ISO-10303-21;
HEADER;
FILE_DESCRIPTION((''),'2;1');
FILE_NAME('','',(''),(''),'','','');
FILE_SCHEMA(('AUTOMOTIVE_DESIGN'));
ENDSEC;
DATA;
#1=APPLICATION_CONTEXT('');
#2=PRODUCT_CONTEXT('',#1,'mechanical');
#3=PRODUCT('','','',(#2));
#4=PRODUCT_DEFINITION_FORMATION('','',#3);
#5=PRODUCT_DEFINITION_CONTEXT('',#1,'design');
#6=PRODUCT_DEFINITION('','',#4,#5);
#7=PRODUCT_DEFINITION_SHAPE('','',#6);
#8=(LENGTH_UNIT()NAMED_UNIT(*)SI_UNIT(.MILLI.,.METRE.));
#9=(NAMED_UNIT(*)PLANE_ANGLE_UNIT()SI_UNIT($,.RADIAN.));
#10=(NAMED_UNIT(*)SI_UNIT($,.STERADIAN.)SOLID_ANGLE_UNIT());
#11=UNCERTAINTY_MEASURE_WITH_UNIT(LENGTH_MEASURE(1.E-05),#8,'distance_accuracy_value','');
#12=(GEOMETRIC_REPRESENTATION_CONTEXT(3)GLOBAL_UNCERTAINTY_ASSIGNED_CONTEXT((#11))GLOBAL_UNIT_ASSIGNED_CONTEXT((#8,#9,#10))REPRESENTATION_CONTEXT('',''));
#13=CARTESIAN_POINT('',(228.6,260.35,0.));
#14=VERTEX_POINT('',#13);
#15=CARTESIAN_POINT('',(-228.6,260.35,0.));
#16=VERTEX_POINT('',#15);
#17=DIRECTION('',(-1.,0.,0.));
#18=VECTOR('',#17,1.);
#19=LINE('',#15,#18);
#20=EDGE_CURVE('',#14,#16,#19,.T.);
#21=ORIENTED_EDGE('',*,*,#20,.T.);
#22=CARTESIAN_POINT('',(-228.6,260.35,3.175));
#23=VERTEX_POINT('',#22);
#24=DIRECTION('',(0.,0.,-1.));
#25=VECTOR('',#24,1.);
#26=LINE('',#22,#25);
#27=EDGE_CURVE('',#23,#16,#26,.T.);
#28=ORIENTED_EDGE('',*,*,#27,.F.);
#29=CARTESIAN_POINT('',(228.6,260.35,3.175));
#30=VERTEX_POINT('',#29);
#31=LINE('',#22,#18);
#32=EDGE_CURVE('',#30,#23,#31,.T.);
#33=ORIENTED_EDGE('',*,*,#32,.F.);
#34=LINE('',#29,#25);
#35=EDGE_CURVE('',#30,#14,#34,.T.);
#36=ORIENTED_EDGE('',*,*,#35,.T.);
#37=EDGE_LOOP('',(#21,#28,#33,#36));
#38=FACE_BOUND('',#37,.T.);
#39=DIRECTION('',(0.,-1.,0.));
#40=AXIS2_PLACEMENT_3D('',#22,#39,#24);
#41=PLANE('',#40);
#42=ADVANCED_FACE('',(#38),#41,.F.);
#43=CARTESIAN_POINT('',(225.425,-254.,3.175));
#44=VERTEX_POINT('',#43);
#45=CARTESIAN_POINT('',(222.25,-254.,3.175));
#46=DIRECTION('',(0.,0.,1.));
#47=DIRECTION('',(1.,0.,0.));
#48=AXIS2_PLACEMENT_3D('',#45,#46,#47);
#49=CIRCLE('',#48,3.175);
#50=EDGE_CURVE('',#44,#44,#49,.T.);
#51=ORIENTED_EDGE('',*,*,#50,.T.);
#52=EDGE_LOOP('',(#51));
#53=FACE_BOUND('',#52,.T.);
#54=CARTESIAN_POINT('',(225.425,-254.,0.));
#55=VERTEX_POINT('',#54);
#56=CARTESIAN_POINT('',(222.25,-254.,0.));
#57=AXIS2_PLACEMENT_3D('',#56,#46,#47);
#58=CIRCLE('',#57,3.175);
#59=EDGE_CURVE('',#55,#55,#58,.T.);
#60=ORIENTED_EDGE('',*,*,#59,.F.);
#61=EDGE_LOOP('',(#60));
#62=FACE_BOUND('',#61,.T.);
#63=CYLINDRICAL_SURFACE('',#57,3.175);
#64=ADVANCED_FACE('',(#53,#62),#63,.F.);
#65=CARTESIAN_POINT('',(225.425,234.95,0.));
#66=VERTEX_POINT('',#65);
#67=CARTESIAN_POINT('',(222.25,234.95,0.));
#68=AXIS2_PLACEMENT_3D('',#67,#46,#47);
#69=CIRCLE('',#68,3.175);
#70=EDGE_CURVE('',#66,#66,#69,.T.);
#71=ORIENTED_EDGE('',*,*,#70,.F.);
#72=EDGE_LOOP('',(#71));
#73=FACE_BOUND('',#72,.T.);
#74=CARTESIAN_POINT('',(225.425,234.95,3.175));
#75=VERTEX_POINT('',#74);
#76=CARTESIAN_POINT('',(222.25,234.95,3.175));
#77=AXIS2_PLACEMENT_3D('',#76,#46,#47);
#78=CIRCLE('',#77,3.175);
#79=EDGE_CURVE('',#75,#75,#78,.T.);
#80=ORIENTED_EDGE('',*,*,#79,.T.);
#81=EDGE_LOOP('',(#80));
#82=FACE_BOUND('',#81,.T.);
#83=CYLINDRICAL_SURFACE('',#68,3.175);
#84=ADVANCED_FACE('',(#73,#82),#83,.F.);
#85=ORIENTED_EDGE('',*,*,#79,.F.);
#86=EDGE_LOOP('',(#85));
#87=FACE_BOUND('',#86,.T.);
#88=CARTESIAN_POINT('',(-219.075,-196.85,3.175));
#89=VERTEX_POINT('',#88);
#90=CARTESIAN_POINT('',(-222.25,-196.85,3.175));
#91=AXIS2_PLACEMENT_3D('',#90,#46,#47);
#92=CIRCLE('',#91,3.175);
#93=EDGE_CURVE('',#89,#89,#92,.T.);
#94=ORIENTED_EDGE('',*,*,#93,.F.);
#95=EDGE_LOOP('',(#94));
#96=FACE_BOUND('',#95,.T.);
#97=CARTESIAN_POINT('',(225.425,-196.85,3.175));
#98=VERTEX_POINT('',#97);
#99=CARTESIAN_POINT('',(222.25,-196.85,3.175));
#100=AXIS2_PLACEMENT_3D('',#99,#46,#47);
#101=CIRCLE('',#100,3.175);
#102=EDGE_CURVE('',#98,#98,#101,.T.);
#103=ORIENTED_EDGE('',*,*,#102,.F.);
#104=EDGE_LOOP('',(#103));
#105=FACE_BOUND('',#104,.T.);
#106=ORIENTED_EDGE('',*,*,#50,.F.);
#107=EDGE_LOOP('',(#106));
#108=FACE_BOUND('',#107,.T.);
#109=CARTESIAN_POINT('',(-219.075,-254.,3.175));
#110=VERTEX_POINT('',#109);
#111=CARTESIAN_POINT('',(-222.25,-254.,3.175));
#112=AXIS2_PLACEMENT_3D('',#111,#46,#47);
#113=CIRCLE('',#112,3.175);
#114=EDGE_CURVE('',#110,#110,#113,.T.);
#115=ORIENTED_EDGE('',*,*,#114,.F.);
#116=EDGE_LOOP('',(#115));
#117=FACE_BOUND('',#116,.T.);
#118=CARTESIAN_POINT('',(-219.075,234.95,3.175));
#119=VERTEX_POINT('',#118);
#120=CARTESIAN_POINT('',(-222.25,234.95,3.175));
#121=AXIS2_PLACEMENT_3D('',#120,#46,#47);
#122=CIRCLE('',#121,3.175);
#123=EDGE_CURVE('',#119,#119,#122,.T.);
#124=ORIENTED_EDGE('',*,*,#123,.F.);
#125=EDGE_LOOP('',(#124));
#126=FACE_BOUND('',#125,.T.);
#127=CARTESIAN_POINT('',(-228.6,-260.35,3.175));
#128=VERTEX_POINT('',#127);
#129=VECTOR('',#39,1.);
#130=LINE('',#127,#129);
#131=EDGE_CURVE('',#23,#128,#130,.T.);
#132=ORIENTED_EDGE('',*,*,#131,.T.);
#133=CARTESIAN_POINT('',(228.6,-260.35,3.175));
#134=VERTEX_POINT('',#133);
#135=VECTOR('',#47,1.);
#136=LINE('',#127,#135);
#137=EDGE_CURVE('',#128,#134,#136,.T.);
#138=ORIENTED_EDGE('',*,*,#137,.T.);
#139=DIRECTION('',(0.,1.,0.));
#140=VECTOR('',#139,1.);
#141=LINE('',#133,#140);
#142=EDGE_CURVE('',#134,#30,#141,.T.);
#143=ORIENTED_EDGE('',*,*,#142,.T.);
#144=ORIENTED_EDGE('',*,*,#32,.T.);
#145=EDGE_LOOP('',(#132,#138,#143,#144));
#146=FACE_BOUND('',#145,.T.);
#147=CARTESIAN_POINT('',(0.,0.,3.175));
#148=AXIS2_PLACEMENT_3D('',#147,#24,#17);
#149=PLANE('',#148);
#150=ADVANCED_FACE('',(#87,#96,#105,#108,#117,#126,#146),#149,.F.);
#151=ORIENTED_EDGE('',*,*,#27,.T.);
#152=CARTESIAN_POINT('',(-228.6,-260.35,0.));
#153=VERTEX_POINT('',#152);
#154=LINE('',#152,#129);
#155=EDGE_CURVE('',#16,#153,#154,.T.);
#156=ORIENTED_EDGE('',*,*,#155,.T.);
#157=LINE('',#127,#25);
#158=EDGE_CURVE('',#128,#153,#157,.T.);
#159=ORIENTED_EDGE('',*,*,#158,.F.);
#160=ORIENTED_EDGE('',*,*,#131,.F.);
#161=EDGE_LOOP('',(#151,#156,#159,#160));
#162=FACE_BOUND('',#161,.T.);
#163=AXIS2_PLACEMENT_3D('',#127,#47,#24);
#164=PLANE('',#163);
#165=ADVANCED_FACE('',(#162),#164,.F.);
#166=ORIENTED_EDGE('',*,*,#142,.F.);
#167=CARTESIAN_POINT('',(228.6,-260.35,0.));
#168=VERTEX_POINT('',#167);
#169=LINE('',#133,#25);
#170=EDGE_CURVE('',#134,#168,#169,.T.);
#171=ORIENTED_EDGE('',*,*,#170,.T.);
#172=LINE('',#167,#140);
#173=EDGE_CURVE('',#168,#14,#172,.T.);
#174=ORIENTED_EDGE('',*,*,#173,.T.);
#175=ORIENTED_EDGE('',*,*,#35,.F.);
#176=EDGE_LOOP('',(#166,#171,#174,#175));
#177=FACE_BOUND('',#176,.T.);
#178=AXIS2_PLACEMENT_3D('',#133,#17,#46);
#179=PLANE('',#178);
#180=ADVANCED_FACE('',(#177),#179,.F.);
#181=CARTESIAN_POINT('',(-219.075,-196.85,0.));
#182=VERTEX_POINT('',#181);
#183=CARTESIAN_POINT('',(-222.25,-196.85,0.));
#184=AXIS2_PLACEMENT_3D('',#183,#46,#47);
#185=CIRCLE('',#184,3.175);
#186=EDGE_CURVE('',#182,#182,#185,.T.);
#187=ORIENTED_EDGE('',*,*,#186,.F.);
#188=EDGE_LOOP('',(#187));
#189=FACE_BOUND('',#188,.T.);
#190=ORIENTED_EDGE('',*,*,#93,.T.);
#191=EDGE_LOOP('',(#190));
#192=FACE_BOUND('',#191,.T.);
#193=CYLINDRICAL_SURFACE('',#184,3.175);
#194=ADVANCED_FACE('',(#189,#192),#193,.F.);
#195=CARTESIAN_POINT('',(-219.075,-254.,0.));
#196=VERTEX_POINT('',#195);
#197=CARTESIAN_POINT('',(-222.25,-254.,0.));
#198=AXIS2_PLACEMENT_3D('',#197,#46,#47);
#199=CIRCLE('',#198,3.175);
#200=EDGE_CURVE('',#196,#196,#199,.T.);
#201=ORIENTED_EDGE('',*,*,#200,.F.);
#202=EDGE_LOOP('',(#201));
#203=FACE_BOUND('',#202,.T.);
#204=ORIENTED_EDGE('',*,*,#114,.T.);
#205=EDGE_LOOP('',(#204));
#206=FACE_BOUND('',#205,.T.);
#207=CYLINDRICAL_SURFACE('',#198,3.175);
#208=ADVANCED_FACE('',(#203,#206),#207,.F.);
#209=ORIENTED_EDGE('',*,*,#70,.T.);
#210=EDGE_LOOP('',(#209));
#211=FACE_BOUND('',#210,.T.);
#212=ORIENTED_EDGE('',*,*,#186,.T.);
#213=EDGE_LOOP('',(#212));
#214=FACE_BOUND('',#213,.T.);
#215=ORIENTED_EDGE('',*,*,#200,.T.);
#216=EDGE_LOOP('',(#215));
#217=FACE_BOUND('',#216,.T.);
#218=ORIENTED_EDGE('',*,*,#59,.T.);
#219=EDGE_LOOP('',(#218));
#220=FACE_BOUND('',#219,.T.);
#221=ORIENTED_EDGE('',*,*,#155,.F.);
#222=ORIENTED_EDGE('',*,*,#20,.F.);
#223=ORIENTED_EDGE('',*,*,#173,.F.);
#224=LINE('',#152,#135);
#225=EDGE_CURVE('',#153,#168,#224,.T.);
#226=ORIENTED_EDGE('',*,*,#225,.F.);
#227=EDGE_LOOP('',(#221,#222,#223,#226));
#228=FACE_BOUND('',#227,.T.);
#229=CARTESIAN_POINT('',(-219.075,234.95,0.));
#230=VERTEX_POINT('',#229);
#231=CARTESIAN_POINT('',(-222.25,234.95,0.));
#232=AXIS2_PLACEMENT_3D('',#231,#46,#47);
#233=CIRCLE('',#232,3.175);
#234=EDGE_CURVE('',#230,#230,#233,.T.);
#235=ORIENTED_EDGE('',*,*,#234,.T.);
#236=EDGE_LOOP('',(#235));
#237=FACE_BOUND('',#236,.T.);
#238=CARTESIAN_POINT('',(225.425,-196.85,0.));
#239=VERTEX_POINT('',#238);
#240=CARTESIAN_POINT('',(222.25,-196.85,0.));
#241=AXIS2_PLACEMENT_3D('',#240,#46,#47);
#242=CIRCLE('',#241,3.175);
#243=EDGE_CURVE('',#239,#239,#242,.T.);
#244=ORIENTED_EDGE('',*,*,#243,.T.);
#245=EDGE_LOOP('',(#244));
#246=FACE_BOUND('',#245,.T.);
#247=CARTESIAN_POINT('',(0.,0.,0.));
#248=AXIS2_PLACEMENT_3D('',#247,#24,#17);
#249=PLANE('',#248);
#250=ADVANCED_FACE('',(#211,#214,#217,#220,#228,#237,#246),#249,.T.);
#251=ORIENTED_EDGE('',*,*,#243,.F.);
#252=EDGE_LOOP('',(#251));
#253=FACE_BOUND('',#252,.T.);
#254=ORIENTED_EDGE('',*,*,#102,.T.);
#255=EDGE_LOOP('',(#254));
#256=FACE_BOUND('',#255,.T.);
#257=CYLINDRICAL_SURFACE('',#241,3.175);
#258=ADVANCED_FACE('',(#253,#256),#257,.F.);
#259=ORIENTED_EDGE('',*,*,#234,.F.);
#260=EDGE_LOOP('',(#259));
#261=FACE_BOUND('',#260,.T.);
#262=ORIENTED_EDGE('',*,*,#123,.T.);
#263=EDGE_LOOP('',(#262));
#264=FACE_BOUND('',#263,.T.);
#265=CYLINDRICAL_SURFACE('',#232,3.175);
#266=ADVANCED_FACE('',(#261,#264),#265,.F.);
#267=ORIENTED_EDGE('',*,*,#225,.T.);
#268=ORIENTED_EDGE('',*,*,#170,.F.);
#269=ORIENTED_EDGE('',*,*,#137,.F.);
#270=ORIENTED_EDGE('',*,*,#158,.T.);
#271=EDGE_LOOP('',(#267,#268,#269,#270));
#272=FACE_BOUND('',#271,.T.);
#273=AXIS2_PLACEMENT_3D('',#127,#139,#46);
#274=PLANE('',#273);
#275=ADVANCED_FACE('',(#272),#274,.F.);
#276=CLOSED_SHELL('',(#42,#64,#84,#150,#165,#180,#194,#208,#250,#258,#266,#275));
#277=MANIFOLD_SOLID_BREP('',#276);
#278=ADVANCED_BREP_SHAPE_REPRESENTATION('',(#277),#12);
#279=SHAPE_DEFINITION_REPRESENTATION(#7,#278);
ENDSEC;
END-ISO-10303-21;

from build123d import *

# Parameters (mm, degrees)
SKETCH1_W           = 457.2
SKETCH1_H           = 520.7
BOSS_EXTRUDE1_DEPTH = 3.175
SKETCH2_R           = 3.175
CUT_EXTRUDE1_DEPTH  = 3.175


with BuildPart() as part:
    # Sketch1 → Boss-Extrude1 (new body)
    with BuildSketch(Plane.XY):
        Rectangle(SKETCH1_W, SKETCH1_H)
    extrude(amount=BOSS_EXTRUDE1_DEPTH)

    # Sketch2 → Cut-Extrude1 (cut)
    with BuildSketch(Plane.XY.offset(3.175)):
        with Locations((-222.25, 234.95)):
            Circle(SKETCH2_R)
        with Locations((222.25, 234.95)):
            Circle(SKETCH2_R)
        with Locations((-222.25, -254)):
            Circle(SKETCH2_R)
        with Locations((222.25, -254)):
            Circle(SKETCH2_R)
        with Locations((-222.25, -196.85)):
            Circle(SKETCH2_R)
        with Locations((222.25, -196.85)):
            Circle(SKETCH2_R)
    extrude(amount=-CUT_EXTRUDE1_DEPTH, mode=Mode.SUBTRACT)


solid = part.part
